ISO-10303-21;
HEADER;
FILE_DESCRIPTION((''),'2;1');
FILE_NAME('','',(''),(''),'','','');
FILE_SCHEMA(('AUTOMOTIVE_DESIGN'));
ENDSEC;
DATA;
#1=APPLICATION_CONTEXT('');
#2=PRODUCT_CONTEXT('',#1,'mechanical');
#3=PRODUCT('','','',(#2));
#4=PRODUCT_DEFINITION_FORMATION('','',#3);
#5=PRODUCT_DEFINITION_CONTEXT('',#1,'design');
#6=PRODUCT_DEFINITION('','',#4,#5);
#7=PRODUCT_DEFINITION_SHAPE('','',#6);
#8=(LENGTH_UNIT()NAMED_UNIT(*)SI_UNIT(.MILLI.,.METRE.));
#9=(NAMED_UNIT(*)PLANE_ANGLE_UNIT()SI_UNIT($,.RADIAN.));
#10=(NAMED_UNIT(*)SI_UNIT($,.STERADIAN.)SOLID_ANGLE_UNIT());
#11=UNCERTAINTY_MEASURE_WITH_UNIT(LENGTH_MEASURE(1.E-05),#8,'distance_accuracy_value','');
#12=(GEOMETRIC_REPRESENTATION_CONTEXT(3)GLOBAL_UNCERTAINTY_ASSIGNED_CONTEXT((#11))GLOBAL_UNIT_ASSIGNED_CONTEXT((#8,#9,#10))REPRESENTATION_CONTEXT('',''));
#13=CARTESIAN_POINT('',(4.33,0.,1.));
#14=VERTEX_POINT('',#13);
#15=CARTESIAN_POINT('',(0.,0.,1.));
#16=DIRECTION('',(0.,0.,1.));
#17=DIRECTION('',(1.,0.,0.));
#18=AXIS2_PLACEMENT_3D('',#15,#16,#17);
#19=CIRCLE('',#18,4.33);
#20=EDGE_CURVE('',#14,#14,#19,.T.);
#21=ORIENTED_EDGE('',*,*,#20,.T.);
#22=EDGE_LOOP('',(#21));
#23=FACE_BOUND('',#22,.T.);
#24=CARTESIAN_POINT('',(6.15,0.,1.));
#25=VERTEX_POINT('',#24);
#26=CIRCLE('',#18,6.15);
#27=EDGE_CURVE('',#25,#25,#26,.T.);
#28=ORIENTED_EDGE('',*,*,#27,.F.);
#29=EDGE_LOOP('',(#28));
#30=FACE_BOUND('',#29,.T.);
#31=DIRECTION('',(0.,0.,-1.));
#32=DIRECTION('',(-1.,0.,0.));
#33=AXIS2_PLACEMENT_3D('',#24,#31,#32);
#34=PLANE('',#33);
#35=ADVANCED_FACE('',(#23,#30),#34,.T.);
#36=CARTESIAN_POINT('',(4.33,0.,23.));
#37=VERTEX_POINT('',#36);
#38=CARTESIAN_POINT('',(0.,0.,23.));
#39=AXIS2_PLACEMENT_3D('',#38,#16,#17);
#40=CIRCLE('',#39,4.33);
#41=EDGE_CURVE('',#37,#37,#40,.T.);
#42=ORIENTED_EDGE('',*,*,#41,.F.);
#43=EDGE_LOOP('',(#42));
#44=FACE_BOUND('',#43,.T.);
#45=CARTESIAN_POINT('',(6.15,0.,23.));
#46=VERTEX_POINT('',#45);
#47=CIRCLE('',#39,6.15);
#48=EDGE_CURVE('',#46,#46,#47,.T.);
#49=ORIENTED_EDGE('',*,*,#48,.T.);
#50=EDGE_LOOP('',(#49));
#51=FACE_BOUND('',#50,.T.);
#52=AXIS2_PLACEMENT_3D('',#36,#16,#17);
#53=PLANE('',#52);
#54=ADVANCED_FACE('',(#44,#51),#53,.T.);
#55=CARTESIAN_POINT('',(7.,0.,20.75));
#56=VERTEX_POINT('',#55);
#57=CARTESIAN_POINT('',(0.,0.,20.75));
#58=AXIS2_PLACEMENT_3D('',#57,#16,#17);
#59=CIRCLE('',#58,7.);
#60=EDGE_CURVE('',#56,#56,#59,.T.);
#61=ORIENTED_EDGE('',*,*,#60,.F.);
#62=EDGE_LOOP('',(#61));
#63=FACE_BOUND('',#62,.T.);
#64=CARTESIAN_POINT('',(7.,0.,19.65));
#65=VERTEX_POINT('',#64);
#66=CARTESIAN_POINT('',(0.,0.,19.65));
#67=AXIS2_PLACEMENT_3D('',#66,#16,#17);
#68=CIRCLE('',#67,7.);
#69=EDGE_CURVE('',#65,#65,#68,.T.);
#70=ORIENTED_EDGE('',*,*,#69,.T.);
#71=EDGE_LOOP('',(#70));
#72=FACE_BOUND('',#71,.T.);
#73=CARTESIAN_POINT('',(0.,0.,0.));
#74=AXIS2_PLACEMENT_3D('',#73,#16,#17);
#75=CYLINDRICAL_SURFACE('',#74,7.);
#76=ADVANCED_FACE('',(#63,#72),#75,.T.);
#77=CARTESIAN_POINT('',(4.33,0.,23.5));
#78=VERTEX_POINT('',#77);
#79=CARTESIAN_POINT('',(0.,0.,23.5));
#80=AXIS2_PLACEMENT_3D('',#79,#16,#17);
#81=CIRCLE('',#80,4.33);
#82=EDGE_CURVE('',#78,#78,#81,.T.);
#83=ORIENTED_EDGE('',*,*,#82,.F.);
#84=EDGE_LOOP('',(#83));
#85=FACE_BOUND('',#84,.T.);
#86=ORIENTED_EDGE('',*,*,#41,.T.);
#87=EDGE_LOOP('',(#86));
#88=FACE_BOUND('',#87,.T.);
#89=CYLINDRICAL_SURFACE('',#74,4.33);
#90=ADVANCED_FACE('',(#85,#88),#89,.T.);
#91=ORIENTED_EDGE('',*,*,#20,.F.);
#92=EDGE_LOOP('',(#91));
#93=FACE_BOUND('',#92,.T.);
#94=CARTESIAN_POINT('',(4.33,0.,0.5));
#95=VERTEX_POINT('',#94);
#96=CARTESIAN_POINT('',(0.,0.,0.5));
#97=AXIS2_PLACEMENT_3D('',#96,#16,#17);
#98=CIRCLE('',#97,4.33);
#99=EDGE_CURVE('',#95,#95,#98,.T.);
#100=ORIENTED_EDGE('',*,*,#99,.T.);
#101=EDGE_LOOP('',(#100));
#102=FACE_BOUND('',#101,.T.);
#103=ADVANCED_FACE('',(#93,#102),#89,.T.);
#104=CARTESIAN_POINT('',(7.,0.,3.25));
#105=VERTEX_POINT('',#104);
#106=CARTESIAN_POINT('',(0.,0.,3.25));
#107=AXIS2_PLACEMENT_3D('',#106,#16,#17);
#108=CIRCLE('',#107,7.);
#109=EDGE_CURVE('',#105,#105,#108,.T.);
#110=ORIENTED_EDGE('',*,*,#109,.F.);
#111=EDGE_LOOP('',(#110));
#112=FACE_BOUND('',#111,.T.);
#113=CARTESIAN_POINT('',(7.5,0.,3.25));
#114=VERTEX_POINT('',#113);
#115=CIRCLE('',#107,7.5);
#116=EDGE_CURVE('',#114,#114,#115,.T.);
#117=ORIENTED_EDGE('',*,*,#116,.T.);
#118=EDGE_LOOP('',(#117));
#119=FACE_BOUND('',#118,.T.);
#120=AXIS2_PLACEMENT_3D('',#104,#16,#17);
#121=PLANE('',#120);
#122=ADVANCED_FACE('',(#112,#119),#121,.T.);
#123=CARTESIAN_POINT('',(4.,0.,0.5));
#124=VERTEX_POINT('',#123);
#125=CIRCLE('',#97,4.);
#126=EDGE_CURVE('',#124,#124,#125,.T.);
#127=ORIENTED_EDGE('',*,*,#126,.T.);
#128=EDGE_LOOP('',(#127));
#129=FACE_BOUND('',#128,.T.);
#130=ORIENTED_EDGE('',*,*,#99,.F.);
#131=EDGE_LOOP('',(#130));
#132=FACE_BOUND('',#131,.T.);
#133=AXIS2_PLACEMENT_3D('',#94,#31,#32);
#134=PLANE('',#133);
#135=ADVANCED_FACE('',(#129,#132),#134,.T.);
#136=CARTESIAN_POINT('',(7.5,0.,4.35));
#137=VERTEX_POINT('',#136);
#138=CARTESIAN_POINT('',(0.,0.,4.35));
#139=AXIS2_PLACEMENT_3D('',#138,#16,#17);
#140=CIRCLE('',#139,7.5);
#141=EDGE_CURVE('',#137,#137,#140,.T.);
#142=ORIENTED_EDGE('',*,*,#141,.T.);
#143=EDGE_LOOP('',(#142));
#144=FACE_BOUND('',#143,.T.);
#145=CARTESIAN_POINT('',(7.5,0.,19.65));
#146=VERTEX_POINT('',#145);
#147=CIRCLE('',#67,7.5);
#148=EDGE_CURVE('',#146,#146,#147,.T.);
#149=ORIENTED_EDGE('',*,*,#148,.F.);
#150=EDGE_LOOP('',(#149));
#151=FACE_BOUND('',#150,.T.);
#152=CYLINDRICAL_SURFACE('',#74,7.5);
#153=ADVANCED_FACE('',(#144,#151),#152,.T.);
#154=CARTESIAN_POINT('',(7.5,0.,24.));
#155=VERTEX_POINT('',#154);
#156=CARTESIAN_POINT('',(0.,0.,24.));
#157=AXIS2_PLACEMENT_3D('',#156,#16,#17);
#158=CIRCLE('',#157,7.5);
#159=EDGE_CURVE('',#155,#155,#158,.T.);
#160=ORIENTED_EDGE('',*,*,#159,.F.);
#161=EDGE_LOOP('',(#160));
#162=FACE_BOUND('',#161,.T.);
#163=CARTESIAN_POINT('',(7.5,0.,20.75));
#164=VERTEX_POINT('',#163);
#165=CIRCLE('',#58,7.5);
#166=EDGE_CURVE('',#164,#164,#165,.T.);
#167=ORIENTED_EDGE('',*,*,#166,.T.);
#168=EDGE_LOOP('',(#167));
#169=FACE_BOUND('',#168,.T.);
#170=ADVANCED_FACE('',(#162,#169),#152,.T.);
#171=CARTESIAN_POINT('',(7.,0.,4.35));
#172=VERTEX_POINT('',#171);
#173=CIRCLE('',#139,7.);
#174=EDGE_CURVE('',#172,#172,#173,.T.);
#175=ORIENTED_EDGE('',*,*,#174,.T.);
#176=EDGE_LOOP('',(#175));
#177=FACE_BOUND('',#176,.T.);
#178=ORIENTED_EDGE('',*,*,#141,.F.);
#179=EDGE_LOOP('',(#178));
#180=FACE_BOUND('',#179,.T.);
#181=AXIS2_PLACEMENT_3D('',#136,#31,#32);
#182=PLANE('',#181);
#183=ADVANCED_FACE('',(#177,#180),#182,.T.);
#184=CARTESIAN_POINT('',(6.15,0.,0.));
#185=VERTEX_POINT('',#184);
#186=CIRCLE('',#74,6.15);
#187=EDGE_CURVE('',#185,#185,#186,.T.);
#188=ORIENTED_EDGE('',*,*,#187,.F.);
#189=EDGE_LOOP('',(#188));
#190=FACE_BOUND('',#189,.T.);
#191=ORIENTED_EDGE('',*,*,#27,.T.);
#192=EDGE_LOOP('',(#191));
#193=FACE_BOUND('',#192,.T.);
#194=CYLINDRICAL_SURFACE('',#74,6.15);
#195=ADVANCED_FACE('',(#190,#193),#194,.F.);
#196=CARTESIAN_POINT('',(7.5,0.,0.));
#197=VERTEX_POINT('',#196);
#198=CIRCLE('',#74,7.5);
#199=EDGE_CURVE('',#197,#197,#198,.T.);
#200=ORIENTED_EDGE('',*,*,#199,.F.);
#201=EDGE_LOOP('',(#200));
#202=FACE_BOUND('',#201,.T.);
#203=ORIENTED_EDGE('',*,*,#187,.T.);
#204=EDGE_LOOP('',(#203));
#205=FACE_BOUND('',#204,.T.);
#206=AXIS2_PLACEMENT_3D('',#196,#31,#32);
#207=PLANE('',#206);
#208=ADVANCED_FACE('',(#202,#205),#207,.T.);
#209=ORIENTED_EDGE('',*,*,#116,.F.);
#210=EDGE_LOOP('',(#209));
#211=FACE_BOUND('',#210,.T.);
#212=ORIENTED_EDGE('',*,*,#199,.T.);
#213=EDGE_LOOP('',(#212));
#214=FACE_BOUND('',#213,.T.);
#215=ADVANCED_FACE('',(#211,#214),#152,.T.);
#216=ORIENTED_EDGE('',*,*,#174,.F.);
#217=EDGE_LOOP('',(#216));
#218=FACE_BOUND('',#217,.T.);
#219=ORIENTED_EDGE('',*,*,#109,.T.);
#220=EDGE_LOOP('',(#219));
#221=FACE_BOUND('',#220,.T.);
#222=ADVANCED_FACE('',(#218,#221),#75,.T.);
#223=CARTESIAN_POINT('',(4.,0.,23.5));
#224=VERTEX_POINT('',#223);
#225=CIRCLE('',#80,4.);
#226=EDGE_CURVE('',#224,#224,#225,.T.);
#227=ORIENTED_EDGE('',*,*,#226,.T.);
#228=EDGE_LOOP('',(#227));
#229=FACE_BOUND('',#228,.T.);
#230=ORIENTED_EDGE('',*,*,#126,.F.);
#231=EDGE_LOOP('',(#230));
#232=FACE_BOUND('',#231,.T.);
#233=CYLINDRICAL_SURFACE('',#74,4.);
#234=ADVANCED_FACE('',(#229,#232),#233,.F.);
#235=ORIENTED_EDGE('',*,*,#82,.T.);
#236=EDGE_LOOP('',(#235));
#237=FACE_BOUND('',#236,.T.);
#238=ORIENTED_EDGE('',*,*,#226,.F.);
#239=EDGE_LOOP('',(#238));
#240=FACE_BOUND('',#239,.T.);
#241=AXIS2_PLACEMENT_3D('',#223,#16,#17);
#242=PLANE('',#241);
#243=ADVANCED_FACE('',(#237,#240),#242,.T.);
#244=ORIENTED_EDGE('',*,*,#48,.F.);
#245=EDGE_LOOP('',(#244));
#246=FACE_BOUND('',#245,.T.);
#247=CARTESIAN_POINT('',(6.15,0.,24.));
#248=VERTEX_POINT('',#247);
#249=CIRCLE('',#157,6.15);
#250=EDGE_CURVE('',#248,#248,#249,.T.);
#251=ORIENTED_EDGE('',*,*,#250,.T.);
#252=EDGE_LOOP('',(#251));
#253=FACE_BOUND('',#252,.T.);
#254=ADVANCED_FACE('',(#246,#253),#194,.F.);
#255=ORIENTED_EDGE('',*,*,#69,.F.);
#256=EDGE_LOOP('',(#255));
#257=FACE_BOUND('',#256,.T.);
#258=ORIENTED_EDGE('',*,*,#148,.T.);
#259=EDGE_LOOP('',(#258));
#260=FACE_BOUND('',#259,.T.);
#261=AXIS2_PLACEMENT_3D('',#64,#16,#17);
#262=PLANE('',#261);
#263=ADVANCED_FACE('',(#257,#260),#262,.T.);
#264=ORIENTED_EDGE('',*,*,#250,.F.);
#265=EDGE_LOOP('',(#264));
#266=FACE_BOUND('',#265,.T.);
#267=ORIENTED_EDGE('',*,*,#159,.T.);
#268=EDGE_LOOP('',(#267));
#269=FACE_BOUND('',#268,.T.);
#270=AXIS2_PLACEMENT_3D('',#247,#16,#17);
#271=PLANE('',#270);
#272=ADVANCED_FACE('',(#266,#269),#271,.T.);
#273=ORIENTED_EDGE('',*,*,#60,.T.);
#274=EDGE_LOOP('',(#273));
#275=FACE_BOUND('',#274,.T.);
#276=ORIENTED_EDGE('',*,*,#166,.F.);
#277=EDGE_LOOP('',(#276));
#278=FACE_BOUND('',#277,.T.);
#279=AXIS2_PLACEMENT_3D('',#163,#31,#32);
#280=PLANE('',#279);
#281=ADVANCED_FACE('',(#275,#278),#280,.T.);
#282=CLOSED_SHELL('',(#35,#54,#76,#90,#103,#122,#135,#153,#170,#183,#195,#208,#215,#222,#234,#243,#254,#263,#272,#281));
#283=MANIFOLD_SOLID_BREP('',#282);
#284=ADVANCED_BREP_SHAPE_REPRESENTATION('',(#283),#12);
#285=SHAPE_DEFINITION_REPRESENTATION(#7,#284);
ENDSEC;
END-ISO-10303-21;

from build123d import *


with BuildPart() as part:
    # Sketch1 → Revolve1 (revolve)
    with BuildSketch(Plane(origin=(0, 0, 0), x_dir=(1, 0, 0), z_dir=(0, 1, 0))):
        Polygon((4.33, -0.5), (4, -0.5), (4, -23.5), (4.33, -23.5), (4.33, -23), (6.15, -23), (6.15, -24), (7.5, -24), (7.5, -20.75), (7, -20.75), (7, -19.65), (7.5, -19.65), (7.5, -4.35), (7, -4.35), (7, -3.25), (7.5, -3.25), (7.5, 0), (6.15, 0), (6.15, -1), (4.33, -1), align=None)
    revolve(axis=Axis((0, 0, 0), (0, 0, 1)))


solid = part.part
